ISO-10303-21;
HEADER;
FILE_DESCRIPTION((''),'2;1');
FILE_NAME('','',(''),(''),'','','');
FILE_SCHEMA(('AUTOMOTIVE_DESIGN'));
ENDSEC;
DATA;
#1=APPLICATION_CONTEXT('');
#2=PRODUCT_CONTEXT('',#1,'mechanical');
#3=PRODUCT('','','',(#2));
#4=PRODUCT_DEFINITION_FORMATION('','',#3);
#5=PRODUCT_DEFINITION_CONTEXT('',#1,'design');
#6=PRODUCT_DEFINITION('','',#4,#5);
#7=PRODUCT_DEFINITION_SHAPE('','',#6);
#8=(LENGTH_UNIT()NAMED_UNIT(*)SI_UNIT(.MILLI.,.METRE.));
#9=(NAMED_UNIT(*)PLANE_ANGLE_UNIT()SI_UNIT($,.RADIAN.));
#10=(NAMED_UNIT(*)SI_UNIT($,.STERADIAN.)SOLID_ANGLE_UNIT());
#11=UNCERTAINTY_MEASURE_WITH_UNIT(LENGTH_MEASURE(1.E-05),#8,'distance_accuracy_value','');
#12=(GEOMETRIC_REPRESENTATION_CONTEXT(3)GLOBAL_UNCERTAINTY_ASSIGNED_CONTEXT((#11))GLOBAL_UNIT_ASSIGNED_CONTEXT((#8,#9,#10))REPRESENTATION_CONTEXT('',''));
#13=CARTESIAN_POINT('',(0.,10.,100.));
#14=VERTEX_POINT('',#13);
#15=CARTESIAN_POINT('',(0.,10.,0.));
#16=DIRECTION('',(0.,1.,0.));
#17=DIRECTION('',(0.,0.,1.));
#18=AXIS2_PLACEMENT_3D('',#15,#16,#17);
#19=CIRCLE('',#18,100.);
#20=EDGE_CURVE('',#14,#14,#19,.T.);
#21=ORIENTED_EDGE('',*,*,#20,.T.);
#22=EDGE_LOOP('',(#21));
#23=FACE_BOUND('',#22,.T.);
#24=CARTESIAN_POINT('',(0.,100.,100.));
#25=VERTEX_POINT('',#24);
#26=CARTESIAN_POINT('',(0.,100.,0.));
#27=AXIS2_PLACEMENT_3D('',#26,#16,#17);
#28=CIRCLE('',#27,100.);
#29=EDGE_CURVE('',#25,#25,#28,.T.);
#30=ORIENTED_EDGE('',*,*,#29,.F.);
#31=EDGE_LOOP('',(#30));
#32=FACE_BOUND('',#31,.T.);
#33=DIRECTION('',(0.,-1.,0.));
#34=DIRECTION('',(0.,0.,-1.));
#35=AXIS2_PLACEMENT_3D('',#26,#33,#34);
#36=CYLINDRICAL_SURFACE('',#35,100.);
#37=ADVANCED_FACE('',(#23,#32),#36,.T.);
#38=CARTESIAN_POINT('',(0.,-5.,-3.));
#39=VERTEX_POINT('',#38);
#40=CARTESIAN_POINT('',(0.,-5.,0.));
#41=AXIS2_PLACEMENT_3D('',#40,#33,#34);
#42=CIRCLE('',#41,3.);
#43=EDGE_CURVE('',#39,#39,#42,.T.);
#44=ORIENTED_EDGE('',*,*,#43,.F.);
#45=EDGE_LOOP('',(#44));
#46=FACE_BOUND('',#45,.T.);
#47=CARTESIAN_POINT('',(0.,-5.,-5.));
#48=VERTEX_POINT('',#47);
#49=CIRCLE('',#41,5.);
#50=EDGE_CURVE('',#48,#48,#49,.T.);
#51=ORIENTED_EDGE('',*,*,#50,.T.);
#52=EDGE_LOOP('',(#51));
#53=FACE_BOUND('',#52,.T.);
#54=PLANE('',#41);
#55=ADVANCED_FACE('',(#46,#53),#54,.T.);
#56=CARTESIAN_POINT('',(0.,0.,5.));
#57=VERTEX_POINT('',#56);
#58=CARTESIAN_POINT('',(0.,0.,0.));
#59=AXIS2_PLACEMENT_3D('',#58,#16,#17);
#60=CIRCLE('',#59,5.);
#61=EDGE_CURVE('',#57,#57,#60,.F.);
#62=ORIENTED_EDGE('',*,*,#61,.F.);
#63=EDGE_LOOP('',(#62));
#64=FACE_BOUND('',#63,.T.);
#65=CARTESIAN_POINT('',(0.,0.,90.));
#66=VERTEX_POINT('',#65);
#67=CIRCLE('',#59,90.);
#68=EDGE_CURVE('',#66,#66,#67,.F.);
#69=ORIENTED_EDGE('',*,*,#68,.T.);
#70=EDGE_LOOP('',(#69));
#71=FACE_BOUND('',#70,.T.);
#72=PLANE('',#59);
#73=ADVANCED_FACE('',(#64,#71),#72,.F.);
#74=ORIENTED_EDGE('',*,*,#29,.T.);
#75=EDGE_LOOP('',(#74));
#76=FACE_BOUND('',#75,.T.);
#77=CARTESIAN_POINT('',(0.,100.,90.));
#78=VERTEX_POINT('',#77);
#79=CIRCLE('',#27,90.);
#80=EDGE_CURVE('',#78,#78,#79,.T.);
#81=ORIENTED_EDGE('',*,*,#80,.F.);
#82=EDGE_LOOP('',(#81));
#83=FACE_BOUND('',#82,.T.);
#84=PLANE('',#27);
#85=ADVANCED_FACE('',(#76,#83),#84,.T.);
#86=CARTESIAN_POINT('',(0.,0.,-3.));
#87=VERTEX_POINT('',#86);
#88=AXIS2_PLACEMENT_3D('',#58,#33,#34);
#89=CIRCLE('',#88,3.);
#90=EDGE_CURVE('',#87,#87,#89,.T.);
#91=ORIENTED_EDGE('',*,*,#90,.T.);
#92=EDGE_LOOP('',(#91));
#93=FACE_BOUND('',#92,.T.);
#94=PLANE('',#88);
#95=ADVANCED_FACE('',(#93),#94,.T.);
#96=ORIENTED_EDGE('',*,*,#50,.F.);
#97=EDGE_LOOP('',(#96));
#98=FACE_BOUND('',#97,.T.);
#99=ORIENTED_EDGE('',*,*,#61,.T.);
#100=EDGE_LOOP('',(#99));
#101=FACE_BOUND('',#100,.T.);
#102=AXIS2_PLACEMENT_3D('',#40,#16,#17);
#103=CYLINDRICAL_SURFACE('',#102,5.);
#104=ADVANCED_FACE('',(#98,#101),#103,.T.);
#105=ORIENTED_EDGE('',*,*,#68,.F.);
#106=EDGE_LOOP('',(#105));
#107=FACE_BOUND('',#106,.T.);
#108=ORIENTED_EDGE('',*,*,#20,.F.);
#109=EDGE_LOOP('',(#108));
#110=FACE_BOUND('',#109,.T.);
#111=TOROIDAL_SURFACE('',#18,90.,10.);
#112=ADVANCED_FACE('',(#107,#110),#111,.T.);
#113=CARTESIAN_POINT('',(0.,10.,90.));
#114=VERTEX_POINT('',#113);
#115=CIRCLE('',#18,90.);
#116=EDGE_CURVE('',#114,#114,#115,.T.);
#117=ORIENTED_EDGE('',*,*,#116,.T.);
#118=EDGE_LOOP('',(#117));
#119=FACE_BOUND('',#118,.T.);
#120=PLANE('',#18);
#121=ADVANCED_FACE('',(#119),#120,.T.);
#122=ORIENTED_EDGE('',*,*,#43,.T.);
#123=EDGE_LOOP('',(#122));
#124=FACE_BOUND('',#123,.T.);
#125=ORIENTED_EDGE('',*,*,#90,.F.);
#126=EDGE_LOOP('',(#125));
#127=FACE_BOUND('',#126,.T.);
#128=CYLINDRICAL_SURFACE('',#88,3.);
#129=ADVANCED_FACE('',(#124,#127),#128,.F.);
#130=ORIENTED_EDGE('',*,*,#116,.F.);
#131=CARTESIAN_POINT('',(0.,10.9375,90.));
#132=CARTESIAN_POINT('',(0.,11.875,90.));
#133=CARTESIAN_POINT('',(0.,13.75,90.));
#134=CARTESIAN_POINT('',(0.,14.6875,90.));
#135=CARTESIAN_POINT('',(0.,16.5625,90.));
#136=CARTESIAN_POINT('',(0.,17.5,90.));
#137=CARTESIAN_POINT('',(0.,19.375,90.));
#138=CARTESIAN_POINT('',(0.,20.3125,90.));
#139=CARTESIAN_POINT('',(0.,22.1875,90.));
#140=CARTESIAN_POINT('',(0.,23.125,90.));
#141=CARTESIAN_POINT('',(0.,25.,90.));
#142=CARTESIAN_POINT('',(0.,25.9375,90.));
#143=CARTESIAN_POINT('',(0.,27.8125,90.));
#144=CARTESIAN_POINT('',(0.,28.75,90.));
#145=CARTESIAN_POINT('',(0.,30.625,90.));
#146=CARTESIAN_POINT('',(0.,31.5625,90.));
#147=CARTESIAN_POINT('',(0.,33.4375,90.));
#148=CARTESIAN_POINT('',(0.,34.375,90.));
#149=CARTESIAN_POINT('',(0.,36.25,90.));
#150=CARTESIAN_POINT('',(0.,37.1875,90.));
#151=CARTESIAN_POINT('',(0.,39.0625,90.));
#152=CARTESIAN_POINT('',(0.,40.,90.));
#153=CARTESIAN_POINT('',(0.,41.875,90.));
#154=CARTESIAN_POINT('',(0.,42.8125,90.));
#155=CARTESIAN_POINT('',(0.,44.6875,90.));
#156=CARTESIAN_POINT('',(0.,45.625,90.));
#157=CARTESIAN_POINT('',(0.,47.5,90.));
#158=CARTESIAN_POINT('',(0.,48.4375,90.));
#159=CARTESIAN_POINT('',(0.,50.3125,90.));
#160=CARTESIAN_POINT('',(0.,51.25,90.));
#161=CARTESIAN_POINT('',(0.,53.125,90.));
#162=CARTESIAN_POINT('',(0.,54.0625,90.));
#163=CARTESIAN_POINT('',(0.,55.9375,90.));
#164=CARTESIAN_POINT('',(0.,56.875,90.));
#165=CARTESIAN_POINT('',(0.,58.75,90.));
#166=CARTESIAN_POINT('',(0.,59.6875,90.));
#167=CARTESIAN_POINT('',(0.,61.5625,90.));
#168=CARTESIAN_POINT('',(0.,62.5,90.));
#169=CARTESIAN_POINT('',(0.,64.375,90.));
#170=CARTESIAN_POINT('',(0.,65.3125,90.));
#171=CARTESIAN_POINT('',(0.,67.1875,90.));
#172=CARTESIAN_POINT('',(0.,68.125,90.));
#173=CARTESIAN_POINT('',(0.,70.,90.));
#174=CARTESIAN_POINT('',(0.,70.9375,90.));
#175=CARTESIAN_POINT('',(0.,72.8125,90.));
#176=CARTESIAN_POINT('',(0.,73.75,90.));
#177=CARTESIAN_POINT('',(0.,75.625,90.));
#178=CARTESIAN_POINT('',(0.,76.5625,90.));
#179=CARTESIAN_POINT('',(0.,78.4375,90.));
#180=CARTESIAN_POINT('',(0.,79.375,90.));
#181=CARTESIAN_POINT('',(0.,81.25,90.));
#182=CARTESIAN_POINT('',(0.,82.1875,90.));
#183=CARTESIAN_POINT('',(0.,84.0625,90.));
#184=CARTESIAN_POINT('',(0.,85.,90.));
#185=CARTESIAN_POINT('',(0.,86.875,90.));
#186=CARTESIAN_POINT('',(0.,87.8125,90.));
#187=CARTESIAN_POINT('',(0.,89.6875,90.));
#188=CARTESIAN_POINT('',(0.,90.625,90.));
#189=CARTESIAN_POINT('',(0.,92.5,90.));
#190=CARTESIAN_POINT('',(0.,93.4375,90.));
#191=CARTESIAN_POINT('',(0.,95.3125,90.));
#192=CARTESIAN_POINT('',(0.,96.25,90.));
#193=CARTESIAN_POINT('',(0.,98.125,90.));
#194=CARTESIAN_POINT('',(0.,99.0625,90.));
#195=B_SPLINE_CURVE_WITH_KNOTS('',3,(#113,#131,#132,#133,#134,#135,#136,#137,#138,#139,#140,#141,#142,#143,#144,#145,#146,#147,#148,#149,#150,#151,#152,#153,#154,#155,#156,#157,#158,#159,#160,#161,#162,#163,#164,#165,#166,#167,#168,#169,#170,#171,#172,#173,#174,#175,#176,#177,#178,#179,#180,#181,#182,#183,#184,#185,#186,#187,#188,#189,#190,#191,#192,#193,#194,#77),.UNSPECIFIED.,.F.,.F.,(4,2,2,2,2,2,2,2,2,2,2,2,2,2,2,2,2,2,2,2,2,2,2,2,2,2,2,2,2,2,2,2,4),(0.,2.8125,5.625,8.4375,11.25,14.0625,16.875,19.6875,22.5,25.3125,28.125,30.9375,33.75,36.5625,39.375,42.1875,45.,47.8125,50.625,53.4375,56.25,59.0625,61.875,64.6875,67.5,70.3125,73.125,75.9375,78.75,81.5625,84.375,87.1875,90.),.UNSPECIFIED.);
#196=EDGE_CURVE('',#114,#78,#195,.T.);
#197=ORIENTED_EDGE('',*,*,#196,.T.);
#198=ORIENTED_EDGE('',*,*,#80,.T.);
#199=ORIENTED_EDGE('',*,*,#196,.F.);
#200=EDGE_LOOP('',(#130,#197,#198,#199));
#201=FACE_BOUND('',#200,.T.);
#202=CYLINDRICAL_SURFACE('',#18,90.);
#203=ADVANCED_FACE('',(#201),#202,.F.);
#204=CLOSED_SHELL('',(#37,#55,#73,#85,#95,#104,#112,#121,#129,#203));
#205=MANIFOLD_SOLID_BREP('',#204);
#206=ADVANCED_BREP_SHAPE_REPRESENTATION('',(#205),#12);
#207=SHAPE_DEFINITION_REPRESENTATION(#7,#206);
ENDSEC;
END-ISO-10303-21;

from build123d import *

# Parameters (mm, degrees)
SKETCH1_R           = 100
BOSS_EXTRUDE1_DEPTH = 100
SKETCH2_R           = 90
CUT_EXTRUDE1_DEPTH  = 90
FILLET1_R           = 10
SKETCH3_R           = 5
BOSS_EXTRUDE2_DEPTH = 5
SKETCH4_R           = 3
CUT_EXTRUDE2_DEPTH  = 5


with BuildPart() as part:
    # Sketch1 → Boss-Extrude1 (new body)
    with BuildSketch(Plane(origin=(0, 0, 0), x_dir=(1, 0, 0), z_dir=(0, 1, 0))):
        with Locations(Location((0, 0, 0), (0, 0, 270))):
            Circle(SKETCH1_R)
    extrude(amount=BOSS_EXTRUDE1_DEPTH)

    # Sketch2 → Cut-Extrude1 (cut)
    with BuildSketch(Plane(origin=(0, 100, 0), x_dir=(1, 0, 0), z_dir=(0, 1, 0))):
        with Locations(Location((0, 0, 0), (0, 0, 270))):
            Circle(SKETCH2_R)
    extrude(amount=-CUT_EXTRUDE1_DEPTH, mode=Mode.SUBTRACT)

    # Fillet1
    fillet1_edges = [part.edges().sort_by_distance(p)[0] for p in [
        (0, 0, -100),
    ]]
    fillet(fillet1_edges, radius=FILLET1_R)

    # Sketch3 → Boss-Extrude2 (add)
    with BuildSketch(Plane.XZ):
        with Locations(Location((0, 0, 0), (0, 0, 90))):
            Circle(SKETCH3_R)
    extrude(amount=BOSS_EXTRUDE2_DEPTH)

    # Sketch4 → Cut-Extrude2 (cut)
    with BuildSketch(Plane(origin=(0, -5, 0), x_dir=(-1, 0, 0), z_dir=(0, -1, 0))):
        with Locations(Location((0, 0, 0), (0, 0, 90))):
            Circle(SKETCH4_R)
    extrude(amount=-CUT_EXTRUDE2_DEPTH, mode=Mode.SUBTRACT)


solid = part.part
